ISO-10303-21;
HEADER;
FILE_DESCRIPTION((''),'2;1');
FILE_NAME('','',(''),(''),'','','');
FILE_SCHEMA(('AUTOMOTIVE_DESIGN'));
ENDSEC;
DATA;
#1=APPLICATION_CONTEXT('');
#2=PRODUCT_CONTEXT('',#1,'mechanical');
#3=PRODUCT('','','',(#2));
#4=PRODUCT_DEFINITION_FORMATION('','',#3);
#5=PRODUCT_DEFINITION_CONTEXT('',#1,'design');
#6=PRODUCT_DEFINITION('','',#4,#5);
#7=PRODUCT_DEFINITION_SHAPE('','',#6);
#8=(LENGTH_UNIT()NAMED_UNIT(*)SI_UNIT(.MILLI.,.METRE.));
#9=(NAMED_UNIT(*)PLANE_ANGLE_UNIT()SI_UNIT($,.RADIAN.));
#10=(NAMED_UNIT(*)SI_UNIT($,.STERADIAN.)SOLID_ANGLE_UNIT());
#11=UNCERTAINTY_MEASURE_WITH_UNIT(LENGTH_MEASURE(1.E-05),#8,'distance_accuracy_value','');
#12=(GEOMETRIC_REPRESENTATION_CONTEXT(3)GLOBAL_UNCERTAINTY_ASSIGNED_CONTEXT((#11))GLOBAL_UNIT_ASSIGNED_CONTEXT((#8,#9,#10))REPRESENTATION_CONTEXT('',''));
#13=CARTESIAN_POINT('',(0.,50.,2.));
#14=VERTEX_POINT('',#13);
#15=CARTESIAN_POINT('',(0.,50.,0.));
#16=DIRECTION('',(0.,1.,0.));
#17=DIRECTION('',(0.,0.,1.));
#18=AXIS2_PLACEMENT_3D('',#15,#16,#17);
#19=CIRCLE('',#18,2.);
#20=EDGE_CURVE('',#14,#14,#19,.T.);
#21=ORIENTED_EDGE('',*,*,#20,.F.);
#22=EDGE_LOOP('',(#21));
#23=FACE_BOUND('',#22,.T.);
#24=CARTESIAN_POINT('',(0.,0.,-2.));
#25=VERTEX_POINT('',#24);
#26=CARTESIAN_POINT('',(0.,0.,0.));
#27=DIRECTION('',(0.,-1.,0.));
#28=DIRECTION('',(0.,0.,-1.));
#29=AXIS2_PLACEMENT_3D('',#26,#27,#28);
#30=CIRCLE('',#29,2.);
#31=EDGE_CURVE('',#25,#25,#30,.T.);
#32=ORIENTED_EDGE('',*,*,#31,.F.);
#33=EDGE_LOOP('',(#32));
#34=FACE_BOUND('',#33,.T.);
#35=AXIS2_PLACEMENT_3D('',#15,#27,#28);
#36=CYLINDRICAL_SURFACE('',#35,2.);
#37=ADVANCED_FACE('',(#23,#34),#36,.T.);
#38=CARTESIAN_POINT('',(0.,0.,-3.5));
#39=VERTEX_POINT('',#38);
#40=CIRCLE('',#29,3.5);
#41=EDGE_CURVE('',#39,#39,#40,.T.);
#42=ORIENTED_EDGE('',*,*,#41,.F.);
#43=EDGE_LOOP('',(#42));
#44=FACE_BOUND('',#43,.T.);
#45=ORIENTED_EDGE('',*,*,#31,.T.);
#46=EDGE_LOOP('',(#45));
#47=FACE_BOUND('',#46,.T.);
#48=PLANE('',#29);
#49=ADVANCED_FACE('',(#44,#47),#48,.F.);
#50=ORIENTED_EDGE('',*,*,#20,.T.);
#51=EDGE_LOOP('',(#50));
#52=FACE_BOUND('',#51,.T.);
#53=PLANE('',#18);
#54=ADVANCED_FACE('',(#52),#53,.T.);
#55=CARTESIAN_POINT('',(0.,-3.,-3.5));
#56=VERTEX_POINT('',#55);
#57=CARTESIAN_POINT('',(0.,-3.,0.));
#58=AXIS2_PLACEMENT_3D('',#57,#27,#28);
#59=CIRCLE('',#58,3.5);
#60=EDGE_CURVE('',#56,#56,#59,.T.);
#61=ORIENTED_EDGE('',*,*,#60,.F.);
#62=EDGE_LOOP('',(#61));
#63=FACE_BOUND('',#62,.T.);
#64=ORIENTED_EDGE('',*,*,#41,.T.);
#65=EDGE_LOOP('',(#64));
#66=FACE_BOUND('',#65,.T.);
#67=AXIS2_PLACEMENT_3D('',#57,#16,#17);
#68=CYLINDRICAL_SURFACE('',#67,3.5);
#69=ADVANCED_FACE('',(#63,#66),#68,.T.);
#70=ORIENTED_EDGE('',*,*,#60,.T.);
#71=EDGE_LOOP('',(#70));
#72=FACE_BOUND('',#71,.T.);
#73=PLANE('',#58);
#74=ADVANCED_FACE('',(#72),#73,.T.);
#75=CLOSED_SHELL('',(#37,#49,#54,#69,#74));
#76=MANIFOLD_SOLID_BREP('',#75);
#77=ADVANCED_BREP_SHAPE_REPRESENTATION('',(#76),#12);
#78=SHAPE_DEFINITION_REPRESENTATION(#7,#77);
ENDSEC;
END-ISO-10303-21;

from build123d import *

# Parameters (mm, degrees)
SKETCH1_R           = 2
BOSS_EXTRUDE1_DEPTH = 50
SKETCH2_R           = 3.5
BOSS_EXTRUDE2_DEPTH = 3


with BuildPart() as part:
    # Sketch1 → Boss-Extrude1 (new body)
    with BuildSketch(Plane(origin=(0, 0, 0), x_dir=(1, 0, 0), z_dir=(0, 1, 0))):
        Circle(SKETCH1_R)
    extrude(amount=BOSS_EXTRUDE1_DEPTH)

    # Sketch2 → Boss-Extrude2 (add)
    with BuildSketch(Plane.XZ):
        Circle(SKETCH2_R)
    extrude(amount=BOSS_EXTRUDE2_DEPTH)


solid = part.part
